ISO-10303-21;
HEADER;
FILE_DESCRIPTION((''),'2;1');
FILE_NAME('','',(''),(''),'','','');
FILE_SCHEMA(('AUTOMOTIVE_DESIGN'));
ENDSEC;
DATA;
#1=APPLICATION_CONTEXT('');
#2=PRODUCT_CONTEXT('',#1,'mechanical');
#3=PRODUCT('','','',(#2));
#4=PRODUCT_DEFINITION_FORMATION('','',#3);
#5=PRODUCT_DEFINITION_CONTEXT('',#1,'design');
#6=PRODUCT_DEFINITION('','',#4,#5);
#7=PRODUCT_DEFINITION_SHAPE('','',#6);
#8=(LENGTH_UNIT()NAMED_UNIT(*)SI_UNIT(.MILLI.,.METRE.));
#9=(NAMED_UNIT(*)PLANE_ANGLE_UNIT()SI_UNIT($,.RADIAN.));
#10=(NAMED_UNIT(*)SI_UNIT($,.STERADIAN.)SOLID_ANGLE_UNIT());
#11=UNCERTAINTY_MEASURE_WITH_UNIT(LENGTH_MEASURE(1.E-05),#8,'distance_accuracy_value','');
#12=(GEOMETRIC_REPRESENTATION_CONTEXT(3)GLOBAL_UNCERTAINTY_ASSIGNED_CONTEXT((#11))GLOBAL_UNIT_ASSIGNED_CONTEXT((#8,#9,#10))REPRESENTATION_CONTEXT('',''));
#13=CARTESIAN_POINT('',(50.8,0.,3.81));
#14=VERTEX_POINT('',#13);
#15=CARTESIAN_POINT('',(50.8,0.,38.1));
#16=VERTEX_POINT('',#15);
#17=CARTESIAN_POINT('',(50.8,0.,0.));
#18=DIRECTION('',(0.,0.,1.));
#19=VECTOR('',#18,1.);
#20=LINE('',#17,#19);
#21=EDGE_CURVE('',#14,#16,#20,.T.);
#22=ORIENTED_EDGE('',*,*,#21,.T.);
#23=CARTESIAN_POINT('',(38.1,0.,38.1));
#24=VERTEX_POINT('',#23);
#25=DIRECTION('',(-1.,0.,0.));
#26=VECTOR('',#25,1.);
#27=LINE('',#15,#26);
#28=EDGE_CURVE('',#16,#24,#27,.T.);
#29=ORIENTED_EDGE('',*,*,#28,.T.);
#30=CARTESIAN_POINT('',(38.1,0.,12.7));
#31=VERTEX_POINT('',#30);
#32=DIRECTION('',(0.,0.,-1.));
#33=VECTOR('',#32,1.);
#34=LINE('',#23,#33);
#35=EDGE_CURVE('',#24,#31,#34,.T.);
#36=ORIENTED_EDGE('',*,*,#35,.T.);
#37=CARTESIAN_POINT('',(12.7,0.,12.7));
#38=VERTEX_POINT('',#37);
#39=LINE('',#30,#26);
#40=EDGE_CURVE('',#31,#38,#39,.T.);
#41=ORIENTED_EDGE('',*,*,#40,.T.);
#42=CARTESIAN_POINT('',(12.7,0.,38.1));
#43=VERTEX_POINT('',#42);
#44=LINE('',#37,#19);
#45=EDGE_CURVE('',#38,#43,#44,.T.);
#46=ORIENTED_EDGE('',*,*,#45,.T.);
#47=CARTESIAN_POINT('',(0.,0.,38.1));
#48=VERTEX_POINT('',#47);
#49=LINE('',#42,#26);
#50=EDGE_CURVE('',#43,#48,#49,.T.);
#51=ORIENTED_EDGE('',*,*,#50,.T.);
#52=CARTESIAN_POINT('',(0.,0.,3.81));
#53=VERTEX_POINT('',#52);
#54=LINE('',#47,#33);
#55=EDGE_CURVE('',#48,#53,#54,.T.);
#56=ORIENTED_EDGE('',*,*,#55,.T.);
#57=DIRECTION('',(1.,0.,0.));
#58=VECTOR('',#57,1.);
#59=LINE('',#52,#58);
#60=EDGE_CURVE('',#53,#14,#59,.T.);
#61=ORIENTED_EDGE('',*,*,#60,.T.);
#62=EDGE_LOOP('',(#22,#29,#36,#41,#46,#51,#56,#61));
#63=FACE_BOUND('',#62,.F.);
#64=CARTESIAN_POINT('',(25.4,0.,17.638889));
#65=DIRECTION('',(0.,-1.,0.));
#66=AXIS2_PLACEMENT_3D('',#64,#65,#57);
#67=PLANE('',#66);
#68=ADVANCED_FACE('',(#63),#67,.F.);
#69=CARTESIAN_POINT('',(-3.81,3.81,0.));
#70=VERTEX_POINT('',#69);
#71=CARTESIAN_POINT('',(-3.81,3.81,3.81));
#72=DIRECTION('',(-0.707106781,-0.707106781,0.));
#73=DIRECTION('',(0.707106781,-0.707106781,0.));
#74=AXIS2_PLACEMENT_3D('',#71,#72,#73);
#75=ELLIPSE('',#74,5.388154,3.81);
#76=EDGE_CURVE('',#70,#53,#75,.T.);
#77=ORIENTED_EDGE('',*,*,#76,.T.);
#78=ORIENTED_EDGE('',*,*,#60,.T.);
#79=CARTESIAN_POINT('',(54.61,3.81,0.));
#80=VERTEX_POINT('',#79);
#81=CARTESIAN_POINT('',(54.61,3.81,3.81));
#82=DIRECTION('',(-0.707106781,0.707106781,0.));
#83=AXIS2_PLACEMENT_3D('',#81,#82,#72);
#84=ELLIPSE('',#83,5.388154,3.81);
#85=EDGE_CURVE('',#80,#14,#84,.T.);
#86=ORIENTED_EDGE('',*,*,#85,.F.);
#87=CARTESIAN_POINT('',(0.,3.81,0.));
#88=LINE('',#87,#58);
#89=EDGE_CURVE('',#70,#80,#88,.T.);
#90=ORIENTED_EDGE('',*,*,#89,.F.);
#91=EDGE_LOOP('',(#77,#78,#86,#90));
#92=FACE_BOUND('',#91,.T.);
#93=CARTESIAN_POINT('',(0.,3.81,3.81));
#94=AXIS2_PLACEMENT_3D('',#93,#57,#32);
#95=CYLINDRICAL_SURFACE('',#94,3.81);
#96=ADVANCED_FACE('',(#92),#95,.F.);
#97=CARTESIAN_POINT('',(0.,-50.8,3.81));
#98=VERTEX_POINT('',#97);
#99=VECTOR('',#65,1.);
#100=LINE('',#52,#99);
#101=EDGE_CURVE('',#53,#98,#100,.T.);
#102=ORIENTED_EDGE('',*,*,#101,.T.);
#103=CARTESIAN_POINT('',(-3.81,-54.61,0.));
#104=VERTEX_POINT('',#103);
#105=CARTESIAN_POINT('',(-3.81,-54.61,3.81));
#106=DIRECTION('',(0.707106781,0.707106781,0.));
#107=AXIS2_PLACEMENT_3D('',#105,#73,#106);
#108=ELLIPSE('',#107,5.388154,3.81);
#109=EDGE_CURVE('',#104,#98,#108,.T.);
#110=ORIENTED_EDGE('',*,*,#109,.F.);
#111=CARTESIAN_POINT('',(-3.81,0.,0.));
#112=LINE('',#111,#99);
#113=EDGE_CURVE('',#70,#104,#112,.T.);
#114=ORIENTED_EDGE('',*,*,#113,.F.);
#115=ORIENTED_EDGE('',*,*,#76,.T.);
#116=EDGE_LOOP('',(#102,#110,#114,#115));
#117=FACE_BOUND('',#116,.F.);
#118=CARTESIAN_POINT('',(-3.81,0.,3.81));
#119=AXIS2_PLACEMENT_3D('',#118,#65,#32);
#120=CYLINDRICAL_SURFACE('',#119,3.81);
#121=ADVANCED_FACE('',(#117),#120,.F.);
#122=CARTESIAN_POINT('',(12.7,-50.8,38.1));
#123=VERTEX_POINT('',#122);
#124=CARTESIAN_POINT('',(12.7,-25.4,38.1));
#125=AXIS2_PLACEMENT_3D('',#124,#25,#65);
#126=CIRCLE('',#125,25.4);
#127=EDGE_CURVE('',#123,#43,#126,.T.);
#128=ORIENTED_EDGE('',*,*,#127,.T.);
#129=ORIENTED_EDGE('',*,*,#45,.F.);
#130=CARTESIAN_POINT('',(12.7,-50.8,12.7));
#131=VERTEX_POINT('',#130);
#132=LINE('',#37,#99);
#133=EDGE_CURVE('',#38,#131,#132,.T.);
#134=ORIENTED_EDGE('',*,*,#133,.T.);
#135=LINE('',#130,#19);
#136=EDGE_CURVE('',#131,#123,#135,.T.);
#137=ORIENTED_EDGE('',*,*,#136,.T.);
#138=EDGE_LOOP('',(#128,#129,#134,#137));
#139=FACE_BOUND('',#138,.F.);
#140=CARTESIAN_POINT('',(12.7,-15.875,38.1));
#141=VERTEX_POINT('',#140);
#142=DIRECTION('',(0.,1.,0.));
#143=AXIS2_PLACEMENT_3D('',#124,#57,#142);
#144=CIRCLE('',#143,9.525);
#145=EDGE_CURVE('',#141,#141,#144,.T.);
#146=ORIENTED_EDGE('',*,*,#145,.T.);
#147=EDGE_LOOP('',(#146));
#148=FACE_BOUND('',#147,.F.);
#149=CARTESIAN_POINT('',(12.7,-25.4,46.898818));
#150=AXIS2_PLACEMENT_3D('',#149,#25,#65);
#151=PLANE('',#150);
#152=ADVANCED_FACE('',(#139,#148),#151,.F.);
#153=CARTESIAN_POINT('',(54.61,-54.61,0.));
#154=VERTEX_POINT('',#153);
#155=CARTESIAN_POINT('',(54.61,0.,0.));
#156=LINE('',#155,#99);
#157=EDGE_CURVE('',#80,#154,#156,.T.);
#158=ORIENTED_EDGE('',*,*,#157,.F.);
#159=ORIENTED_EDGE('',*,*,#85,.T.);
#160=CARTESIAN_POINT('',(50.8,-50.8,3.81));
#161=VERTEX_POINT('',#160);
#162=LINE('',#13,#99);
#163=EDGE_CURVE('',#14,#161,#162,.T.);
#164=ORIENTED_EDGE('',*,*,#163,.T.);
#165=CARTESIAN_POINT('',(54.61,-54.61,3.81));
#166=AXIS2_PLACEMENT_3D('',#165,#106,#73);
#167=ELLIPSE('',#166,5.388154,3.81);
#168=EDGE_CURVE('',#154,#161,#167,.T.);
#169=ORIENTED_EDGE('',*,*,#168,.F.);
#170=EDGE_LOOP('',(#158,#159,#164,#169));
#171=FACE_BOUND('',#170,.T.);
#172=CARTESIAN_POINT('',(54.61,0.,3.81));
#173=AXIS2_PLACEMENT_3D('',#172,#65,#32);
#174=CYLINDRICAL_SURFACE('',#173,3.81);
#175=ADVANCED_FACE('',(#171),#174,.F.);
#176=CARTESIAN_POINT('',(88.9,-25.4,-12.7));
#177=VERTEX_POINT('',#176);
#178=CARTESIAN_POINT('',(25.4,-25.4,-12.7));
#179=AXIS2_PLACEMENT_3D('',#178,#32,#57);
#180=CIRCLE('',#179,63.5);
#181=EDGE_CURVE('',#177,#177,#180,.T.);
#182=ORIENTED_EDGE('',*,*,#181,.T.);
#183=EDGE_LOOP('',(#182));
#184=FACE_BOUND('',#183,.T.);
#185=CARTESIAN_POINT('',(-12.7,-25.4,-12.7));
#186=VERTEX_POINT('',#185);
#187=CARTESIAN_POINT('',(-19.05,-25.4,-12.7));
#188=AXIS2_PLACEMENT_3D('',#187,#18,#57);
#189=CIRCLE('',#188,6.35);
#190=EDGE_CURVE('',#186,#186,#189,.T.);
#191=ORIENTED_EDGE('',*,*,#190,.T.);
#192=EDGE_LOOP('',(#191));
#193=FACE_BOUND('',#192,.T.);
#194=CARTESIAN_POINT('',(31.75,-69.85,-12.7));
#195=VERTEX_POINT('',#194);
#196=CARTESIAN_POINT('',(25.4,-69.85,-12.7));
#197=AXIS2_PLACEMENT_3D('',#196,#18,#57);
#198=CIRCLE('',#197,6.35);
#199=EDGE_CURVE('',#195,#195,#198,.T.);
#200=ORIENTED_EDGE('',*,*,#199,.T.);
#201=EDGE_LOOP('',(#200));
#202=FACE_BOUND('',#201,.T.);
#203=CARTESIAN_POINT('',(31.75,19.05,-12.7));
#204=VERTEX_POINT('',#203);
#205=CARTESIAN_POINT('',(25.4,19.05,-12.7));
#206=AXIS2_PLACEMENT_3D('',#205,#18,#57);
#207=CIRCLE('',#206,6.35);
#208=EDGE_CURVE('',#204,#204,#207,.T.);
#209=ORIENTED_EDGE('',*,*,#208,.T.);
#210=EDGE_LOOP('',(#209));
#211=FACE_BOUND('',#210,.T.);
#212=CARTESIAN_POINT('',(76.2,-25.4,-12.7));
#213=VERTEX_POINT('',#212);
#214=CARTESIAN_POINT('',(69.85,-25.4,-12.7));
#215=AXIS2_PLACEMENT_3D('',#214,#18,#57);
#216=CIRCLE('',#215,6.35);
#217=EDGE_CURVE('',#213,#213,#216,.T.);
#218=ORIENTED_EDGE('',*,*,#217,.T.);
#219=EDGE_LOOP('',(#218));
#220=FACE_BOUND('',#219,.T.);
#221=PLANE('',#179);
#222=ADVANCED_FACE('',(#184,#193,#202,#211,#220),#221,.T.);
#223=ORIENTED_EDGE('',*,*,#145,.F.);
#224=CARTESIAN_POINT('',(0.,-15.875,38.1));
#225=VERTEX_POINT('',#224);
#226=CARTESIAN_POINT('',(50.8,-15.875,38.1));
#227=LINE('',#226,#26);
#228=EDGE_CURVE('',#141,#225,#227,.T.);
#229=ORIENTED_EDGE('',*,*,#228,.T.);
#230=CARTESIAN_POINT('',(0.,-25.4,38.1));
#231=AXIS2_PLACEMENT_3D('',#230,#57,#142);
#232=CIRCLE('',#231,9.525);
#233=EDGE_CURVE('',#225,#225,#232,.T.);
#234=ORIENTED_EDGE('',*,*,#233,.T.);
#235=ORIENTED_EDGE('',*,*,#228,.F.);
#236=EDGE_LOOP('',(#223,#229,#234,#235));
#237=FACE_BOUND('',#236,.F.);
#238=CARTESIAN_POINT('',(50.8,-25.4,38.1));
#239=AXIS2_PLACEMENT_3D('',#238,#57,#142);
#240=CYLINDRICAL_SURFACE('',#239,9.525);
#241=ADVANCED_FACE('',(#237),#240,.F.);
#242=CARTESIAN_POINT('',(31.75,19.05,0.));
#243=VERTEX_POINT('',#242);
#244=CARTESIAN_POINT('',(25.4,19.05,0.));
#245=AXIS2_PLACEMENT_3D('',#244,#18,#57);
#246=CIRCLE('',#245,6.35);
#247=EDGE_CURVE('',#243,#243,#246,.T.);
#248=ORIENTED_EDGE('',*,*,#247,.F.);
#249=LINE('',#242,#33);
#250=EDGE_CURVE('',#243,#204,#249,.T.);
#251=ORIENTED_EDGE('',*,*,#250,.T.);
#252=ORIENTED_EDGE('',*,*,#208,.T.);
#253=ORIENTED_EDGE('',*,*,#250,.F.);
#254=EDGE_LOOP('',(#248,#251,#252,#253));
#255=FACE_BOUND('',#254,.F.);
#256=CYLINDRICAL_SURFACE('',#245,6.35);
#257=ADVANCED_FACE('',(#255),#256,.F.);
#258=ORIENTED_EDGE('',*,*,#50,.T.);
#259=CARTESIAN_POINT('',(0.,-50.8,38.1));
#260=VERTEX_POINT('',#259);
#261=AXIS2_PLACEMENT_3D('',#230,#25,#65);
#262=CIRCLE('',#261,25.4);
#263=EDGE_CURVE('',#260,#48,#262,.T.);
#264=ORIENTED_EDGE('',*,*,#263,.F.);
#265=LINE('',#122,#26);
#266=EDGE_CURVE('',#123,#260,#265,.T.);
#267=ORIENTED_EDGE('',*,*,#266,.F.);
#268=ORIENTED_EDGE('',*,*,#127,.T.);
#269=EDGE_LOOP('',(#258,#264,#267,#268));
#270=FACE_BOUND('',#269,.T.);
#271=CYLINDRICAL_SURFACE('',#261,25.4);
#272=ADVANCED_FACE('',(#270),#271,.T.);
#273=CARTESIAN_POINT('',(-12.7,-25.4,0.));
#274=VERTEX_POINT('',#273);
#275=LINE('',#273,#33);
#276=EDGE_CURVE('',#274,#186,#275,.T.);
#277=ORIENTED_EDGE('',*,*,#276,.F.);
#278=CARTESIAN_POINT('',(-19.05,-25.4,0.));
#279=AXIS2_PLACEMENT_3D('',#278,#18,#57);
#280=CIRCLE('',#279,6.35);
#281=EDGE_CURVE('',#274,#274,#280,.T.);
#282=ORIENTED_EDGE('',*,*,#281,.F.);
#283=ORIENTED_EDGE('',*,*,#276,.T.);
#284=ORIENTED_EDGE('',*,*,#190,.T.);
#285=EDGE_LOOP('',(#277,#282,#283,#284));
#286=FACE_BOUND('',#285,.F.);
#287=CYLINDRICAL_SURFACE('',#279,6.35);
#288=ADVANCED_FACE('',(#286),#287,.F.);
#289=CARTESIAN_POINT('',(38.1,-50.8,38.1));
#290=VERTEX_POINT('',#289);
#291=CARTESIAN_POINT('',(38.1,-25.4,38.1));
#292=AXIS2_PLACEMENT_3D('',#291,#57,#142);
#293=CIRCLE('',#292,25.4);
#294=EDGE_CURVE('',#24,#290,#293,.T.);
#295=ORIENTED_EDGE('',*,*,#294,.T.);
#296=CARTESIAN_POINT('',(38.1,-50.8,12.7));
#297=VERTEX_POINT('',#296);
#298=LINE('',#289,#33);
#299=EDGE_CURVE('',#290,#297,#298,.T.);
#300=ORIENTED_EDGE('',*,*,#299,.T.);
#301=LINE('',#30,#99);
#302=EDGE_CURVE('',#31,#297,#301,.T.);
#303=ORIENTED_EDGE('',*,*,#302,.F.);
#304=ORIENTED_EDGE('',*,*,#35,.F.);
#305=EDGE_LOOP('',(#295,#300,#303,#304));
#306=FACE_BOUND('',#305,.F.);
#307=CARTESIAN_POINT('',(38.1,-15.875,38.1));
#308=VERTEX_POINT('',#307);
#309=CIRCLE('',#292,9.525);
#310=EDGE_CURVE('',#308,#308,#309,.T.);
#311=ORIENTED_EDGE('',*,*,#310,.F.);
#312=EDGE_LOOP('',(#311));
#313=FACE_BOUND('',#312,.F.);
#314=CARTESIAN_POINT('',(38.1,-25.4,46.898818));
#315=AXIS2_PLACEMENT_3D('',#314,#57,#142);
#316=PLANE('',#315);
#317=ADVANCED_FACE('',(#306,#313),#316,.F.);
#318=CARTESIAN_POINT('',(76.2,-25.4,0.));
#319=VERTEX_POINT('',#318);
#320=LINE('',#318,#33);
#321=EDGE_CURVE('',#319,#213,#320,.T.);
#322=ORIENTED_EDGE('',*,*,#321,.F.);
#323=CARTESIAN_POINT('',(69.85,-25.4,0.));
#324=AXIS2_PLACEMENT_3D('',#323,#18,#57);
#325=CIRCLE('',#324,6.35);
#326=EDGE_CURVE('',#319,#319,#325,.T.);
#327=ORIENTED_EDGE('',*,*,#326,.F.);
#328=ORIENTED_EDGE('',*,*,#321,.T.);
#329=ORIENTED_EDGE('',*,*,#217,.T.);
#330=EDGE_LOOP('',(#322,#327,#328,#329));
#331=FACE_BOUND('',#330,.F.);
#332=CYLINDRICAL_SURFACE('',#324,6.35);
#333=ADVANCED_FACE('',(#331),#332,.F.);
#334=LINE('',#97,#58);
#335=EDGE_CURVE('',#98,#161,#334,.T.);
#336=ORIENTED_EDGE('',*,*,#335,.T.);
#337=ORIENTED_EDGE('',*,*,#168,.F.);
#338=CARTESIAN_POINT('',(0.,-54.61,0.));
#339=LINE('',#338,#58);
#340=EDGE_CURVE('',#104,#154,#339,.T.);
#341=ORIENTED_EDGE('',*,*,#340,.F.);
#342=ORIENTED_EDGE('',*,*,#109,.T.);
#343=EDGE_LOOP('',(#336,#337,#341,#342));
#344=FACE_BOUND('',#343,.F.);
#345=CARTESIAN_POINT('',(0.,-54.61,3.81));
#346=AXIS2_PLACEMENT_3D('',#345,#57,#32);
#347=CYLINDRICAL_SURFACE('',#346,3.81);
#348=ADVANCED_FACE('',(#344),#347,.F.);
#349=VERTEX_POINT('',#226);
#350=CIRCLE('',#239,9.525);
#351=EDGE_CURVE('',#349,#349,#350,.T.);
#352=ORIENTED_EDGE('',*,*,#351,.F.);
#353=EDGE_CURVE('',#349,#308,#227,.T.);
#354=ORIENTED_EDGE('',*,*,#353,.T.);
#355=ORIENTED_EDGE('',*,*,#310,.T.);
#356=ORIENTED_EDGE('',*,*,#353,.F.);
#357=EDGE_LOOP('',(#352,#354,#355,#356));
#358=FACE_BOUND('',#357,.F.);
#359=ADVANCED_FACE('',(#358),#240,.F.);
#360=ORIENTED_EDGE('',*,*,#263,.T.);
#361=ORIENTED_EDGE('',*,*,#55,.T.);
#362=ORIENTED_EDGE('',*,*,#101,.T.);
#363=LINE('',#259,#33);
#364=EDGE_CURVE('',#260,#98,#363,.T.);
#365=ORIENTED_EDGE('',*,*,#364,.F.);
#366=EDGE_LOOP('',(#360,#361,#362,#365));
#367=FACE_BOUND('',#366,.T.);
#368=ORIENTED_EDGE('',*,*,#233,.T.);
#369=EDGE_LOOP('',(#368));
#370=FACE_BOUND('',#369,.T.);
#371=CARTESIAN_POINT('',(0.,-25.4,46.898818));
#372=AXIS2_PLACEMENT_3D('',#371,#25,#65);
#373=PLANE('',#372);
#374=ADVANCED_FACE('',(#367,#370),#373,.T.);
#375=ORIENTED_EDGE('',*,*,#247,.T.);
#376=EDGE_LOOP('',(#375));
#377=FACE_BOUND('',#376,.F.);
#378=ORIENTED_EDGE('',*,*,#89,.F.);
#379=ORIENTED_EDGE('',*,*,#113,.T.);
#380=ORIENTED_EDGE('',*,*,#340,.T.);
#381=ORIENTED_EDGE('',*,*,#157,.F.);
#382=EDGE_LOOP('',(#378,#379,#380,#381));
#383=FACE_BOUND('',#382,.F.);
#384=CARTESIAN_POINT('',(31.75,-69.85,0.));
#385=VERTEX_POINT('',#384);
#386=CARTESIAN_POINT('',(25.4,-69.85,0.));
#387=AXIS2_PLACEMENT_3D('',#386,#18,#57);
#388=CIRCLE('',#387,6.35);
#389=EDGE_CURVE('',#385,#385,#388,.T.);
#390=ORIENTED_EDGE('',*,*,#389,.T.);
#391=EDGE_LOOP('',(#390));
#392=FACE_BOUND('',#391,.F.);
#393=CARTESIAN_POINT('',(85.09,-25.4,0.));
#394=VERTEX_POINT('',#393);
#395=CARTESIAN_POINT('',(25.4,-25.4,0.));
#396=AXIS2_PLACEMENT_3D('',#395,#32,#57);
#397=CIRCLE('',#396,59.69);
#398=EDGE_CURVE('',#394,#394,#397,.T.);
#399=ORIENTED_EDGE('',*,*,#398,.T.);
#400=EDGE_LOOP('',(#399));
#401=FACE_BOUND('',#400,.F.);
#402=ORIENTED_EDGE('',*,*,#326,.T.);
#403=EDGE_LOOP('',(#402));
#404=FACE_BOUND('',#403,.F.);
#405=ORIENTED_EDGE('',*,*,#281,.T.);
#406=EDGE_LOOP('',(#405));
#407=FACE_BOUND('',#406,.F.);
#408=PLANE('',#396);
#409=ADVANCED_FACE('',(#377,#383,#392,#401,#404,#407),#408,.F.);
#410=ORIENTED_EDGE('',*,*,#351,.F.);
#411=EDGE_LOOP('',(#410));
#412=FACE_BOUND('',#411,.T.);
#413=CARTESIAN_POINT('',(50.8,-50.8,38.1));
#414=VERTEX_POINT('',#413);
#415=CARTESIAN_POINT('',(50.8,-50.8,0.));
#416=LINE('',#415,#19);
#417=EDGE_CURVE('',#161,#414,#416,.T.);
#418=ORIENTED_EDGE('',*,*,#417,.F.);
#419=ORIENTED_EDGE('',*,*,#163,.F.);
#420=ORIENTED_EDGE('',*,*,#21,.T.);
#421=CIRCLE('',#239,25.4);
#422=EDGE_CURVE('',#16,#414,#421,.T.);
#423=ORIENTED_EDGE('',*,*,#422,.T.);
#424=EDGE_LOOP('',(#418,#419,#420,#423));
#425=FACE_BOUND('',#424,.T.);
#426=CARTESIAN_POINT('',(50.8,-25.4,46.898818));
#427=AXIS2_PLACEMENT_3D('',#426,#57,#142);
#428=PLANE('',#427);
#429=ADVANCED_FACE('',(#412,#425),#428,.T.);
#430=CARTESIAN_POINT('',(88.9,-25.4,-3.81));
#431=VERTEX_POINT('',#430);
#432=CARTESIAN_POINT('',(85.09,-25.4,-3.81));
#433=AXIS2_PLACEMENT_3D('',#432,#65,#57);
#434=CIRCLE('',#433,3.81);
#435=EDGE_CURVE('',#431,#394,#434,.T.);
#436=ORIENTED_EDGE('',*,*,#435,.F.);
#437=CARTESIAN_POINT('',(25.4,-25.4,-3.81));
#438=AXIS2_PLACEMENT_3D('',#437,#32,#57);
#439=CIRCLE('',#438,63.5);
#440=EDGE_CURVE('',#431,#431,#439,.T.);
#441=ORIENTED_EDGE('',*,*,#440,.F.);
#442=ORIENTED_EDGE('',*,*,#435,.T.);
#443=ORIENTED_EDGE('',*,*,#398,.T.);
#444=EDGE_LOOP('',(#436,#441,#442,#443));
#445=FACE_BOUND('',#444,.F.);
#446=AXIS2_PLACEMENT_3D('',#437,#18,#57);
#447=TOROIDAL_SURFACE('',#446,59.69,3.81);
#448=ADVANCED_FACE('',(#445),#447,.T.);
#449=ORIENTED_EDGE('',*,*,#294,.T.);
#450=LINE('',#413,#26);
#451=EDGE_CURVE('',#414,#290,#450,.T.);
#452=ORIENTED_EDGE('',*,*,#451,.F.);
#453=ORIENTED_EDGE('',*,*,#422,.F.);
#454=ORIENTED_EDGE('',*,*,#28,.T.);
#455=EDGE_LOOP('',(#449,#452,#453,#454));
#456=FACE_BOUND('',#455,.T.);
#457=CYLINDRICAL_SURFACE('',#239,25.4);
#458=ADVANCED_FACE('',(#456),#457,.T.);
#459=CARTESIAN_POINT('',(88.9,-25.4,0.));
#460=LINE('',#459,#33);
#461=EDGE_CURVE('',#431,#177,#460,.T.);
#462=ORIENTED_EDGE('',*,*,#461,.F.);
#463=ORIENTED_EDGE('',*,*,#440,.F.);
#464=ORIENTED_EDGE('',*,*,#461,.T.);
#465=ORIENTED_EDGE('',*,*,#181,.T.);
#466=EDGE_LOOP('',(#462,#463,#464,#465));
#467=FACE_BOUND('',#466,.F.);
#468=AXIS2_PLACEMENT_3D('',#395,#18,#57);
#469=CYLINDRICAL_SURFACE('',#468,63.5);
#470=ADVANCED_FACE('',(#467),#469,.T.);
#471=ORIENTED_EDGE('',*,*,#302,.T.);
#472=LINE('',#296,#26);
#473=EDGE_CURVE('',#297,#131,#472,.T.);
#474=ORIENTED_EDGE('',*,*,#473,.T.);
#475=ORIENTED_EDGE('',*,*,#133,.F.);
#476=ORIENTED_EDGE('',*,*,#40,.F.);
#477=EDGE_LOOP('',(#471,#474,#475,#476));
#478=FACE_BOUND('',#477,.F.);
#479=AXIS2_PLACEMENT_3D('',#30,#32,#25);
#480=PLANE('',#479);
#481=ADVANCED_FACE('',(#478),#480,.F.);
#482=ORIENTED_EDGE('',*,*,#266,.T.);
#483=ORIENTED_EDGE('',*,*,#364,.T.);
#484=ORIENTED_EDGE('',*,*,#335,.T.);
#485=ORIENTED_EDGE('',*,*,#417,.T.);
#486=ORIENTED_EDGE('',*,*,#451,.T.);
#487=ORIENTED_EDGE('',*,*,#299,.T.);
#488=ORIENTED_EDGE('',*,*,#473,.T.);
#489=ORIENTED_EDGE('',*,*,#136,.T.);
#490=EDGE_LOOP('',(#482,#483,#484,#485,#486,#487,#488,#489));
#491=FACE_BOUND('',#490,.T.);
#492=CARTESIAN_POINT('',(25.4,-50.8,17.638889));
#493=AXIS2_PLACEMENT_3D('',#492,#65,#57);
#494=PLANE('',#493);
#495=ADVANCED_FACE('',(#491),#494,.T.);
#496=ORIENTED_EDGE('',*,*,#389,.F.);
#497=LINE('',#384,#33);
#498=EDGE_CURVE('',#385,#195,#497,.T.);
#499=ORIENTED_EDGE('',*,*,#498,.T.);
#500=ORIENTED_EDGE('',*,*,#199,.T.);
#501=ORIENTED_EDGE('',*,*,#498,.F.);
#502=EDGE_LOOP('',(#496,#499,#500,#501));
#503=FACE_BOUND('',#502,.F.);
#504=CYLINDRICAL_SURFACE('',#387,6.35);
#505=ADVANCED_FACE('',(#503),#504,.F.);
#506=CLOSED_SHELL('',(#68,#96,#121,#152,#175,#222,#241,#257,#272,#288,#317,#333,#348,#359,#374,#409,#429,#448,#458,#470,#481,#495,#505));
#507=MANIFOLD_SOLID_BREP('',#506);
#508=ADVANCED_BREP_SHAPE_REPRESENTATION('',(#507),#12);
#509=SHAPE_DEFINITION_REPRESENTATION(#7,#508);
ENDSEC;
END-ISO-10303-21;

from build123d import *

# Parameters (mm, degrees)
F1_DEPTH  = 50.8
F3_DEPTH  = 12.7
F5_DEPTH  = 12.7
F6_R      = 9.525
F7_DEPTH  = 50.801
F8_R      = 63.5
F9_DEPTH  = 12.7
F10_R     = 6.35
F11_DEPTH = 12.701
F12_R     = 3.81


with BuildPart() as f1:
    # F0 (on Front) → F1 (new body)
    with BuildSketch(Plane.XZ):
        Polygon((0, 38.1), (0, 0), (50.8, 0), (50.8, 38.1), (38.1, 38.1), (38.1, 12.7), (12.7, 12.7), (12.7, 38.1), align=None)
    extrude(amount=F1_DEPTH)

    # F2 (on face) → F3 (join)
    with BuildSketch(Plane.YZ.offset(50.8)):
        with BuildLine():
            Line((-50.8, 38.1), (0, 38.1))
            ThreePointArc((0, 38.1), (-25.4, 63.5), (-50.8, 38.1))
        make_face()
    extrude(amount=-F3_DEPTH)

    # F4 (on face) → F5 (join)
    with BuildSketch(Plane(origin=(0, 0, 0), x_dir=(0, -1, 0), z_dir=(-1, 0, 0))):
        with BuildLine():
            Line((0, 38.1), (50.8, 38.1))
            ThreePointArc((50.8, 38.1), (25.4, 63.5), (0, 38.1))
        make_face()
    extrude(amount=-F5_DEPTH)

    # F6 (on face) → F7 (cut, through all)
    with BuildSketch(Plane.YZ.offset(50.8)):
        with Locations((-25.4, 38.1)):
            Circle(F6_R)
    extrude(amount=-F7_DEPTH, mode=Mode.SUBTRACT)

    # F8 (on face) → F9 (join)
    with BuildSketch(Plane(origin=(0, 0, 0), x_dir=(1, 0, 0), z_dir=(0, 0, -1))):
        with Locations((25.4, 25.4)):
            Circle(F8_R)
    extrude(amount=F9_DEPTH)

    # F10 (on face) → F11 (cut, through all)
    with BuildSketch(Plane.XY):
        with Locations((25.4, 19.05)):
            Circle(F10_R)
        with Locations((69.85, -25.4)):
            Circle(F10_R)
        with Locations((-19.05, -25.4)):
            Circle(F10_R)
        with Locations((25.4, -69.85)):
            Circle(F10_R)
    extrude(amount=-F11_DEPTH, mode=Mode.SUBTRACT)

    # F12
    f12_edges = [f1.edges().sort_by_distance(p)[0] for p in [
        (50.8, -25.4, 0),
        (25.4, -50.8, 0),
        (0, -25.4, 0),
        (25.4, 0, 0),
        (-38.1, -25.4, 0),
    ]]
    fillet(f12_edges, radius=F12_R)


solid = f1.part
